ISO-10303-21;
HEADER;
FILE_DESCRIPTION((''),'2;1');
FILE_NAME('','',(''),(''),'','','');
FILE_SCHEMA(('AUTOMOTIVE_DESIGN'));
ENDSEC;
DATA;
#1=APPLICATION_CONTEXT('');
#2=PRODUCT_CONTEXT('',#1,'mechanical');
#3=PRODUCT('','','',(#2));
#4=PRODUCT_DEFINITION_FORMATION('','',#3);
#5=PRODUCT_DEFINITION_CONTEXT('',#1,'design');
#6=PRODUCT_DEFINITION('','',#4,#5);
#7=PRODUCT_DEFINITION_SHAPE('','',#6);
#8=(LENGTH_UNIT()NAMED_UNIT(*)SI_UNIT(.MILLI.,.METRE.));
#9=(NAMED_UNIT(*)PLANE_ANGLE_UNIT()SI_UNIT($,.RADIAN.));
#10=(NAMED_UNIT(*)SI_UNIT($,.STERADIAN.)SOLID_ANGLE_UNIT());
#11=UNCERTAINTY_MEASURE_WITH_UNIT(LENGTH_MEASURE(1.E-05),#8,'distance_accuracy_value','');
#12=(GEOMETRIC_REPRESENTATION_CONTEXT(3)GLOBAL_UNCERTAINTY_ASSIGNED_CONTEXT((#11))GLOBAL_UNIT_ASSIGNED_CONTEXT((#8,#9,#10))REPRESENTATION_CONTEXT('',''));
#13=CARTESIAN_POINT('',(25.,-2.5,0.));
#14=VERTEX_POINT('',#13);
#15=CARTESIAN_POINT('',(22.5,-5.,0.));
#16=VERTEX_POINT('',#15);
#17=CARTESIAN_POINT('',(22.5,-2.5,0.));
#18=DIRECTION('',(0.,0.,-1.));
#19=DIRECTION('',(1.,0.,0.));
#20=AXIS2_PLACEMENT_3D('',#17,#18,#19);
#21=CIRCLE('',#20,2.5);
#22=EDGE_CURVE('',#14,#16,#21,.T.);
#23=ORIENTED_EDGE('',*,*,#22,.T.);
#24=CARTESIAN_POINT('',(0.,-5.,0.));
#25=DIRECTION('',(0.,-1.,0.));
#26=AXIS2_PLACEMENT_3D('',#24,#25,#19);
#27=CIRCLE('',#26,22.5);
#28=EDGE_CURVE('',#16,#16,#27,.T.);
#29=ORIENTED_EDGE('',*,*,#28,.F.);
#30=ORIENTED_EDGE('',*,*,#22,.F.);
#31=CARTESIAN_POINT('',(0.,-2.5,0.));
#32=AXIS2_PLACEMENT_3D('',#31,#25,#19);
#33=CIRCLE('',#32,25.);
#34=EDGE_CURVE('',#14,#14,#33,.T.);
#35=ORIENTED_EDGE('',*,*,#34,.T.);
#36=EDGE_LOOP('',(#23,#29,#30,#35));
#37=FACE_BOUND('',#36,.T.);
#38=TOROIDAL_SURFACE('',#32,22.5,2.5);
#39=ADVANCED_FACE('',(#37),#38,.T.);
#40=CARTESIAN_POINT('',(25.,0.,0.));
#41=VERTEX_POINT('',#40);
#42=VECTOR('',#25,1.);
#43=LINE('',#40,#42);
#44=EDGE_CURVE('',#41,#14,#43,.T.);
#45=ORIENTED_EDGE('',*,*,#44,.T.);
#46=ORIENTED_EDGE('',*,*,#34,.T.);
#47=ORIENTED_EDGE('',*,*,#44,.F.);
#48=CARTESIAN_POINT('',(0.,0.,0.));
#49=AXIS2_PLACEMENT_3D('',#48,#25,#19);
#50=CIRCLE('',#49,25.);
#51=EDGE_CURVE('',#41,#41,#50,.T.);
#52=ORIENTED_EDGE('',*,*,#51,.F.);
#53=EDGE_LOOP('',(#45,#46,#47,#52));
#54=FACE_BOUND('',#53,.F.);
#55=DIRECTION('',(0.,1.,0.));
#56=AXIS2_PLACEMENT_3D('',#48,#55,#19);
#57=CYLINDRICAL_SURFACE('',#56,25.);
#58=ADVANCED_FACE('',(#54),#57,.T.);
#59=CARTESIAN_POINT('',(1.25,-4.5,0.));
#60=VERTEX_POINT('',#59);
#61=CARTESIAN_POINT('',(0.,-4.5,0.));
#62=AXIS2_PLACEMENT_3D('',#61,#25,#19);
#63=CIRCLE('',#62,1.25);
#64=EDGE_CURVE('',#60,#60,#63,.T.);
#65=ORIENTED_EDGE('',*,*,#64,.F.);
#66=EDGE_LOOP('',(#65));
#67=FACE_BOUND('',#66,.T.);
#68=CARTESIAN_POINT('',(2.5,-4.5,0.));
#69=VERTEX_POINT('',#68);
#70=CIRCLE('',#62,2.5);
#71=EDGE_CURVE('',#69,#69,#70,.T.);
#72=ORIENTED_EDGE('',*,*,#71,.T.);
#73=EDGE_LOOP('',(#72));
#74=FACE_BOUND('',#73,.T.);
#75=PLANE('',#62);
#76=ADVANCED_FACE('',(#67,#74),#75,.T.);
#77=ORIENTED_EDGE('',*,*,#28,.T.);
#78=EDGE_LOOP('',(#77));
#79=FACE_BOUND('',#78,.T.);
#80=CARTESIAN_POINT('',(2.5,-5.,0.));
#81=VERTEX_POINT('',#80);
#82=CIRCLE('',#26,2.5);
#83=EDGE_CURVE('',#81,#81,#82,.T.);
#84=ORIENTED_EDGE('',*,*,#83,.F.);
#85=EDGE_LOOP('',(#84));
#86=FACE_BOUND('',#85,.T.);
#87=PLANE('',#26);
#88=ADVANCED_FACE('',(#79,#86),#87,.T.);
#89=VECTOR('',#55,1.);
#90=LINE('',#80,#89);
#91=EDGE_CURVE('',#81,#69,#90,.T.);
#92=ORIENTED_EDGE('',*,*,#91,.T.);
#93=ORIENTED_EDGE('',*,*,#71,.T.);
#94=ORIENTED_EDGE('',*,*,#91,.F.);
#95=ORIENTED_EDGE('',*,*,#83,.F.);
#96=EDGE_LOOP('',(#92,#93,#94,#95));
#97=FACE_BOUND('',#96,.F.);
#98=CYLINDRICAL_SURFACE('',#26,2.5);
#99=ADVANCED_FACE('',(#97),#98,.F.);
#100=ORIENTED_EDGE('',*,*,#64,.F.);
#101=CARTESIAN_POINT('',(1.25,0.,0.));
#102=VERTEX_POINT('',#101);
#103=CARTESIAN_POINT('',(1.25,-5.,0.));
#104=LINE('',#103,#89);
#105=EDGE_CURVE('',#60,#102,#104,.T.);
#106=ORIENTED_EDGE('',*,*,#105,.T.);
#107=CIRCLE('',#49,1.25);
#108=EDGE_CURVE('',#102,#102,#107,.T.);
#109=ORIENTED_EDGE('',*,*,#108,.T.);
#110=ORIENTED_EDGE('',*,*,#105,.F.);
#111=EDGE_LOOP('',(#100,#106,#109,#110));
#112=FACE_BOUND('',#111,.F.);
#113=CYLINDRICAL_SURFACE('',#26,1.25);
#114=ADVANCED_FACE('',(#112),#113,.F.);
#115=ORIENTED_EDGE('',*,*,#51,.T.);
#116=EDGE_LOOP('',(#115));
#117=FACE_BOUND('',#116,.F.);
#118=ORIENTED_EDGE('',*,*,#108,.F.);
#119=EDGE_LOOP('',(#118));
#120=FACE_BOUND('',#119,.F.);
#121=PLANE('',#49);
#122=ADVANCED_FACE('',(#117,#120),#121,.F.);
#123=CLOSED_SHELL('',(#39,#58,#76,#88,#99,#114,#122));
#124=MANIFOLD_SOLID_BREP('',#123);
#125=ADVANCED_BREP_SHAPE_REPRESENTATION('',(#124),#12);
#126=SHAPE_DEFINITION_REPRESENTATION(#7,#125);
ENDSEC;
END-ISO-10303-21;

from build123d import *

# Parameters (mm, degrees)
F0_R      = 25
F1_DEPTH  = 5
F2_R      = 2.5
F3_R      = 2.5
F3_R_2    = 1.25
F4_DEPTH  = 0.5
F4_FACE_R = 1.25
F5_DEPTH  = 32.62


with BuildPart() as f1:
    # F0 (on Front) → F1 (new body)
    with BuildSketch(Plane.XZ):
        Circle(F0_R)
    extrude(amount=F1_DEPTH)

    # F2
    f2_edges = [f1.edges().sort_by_distance(p)[0] for p in [
        (-25, -5, 0),
    ]]
    fillet(f2_edges, radius=F2_R)

    # F3 (on face) → F4 (cut)
    with BuildSketch(Plane.XZ.offset(5)):
        Circle(F3_R)
        Circle(F3_R_2, mode=Mode.SUBTRACT)
    extrude(amount=-F4_DEPTH, mode=Mode.SUBTRACT)

    # F4_face (on face) → F5 (cut)
    with BuildSketch(Plane.XZ.offset(5)):
        Circle(F4_FACE_R)
    extrude(amount=-F5_DEPTH, mode=Mode.SUBTRACT)


solid = f1.part
